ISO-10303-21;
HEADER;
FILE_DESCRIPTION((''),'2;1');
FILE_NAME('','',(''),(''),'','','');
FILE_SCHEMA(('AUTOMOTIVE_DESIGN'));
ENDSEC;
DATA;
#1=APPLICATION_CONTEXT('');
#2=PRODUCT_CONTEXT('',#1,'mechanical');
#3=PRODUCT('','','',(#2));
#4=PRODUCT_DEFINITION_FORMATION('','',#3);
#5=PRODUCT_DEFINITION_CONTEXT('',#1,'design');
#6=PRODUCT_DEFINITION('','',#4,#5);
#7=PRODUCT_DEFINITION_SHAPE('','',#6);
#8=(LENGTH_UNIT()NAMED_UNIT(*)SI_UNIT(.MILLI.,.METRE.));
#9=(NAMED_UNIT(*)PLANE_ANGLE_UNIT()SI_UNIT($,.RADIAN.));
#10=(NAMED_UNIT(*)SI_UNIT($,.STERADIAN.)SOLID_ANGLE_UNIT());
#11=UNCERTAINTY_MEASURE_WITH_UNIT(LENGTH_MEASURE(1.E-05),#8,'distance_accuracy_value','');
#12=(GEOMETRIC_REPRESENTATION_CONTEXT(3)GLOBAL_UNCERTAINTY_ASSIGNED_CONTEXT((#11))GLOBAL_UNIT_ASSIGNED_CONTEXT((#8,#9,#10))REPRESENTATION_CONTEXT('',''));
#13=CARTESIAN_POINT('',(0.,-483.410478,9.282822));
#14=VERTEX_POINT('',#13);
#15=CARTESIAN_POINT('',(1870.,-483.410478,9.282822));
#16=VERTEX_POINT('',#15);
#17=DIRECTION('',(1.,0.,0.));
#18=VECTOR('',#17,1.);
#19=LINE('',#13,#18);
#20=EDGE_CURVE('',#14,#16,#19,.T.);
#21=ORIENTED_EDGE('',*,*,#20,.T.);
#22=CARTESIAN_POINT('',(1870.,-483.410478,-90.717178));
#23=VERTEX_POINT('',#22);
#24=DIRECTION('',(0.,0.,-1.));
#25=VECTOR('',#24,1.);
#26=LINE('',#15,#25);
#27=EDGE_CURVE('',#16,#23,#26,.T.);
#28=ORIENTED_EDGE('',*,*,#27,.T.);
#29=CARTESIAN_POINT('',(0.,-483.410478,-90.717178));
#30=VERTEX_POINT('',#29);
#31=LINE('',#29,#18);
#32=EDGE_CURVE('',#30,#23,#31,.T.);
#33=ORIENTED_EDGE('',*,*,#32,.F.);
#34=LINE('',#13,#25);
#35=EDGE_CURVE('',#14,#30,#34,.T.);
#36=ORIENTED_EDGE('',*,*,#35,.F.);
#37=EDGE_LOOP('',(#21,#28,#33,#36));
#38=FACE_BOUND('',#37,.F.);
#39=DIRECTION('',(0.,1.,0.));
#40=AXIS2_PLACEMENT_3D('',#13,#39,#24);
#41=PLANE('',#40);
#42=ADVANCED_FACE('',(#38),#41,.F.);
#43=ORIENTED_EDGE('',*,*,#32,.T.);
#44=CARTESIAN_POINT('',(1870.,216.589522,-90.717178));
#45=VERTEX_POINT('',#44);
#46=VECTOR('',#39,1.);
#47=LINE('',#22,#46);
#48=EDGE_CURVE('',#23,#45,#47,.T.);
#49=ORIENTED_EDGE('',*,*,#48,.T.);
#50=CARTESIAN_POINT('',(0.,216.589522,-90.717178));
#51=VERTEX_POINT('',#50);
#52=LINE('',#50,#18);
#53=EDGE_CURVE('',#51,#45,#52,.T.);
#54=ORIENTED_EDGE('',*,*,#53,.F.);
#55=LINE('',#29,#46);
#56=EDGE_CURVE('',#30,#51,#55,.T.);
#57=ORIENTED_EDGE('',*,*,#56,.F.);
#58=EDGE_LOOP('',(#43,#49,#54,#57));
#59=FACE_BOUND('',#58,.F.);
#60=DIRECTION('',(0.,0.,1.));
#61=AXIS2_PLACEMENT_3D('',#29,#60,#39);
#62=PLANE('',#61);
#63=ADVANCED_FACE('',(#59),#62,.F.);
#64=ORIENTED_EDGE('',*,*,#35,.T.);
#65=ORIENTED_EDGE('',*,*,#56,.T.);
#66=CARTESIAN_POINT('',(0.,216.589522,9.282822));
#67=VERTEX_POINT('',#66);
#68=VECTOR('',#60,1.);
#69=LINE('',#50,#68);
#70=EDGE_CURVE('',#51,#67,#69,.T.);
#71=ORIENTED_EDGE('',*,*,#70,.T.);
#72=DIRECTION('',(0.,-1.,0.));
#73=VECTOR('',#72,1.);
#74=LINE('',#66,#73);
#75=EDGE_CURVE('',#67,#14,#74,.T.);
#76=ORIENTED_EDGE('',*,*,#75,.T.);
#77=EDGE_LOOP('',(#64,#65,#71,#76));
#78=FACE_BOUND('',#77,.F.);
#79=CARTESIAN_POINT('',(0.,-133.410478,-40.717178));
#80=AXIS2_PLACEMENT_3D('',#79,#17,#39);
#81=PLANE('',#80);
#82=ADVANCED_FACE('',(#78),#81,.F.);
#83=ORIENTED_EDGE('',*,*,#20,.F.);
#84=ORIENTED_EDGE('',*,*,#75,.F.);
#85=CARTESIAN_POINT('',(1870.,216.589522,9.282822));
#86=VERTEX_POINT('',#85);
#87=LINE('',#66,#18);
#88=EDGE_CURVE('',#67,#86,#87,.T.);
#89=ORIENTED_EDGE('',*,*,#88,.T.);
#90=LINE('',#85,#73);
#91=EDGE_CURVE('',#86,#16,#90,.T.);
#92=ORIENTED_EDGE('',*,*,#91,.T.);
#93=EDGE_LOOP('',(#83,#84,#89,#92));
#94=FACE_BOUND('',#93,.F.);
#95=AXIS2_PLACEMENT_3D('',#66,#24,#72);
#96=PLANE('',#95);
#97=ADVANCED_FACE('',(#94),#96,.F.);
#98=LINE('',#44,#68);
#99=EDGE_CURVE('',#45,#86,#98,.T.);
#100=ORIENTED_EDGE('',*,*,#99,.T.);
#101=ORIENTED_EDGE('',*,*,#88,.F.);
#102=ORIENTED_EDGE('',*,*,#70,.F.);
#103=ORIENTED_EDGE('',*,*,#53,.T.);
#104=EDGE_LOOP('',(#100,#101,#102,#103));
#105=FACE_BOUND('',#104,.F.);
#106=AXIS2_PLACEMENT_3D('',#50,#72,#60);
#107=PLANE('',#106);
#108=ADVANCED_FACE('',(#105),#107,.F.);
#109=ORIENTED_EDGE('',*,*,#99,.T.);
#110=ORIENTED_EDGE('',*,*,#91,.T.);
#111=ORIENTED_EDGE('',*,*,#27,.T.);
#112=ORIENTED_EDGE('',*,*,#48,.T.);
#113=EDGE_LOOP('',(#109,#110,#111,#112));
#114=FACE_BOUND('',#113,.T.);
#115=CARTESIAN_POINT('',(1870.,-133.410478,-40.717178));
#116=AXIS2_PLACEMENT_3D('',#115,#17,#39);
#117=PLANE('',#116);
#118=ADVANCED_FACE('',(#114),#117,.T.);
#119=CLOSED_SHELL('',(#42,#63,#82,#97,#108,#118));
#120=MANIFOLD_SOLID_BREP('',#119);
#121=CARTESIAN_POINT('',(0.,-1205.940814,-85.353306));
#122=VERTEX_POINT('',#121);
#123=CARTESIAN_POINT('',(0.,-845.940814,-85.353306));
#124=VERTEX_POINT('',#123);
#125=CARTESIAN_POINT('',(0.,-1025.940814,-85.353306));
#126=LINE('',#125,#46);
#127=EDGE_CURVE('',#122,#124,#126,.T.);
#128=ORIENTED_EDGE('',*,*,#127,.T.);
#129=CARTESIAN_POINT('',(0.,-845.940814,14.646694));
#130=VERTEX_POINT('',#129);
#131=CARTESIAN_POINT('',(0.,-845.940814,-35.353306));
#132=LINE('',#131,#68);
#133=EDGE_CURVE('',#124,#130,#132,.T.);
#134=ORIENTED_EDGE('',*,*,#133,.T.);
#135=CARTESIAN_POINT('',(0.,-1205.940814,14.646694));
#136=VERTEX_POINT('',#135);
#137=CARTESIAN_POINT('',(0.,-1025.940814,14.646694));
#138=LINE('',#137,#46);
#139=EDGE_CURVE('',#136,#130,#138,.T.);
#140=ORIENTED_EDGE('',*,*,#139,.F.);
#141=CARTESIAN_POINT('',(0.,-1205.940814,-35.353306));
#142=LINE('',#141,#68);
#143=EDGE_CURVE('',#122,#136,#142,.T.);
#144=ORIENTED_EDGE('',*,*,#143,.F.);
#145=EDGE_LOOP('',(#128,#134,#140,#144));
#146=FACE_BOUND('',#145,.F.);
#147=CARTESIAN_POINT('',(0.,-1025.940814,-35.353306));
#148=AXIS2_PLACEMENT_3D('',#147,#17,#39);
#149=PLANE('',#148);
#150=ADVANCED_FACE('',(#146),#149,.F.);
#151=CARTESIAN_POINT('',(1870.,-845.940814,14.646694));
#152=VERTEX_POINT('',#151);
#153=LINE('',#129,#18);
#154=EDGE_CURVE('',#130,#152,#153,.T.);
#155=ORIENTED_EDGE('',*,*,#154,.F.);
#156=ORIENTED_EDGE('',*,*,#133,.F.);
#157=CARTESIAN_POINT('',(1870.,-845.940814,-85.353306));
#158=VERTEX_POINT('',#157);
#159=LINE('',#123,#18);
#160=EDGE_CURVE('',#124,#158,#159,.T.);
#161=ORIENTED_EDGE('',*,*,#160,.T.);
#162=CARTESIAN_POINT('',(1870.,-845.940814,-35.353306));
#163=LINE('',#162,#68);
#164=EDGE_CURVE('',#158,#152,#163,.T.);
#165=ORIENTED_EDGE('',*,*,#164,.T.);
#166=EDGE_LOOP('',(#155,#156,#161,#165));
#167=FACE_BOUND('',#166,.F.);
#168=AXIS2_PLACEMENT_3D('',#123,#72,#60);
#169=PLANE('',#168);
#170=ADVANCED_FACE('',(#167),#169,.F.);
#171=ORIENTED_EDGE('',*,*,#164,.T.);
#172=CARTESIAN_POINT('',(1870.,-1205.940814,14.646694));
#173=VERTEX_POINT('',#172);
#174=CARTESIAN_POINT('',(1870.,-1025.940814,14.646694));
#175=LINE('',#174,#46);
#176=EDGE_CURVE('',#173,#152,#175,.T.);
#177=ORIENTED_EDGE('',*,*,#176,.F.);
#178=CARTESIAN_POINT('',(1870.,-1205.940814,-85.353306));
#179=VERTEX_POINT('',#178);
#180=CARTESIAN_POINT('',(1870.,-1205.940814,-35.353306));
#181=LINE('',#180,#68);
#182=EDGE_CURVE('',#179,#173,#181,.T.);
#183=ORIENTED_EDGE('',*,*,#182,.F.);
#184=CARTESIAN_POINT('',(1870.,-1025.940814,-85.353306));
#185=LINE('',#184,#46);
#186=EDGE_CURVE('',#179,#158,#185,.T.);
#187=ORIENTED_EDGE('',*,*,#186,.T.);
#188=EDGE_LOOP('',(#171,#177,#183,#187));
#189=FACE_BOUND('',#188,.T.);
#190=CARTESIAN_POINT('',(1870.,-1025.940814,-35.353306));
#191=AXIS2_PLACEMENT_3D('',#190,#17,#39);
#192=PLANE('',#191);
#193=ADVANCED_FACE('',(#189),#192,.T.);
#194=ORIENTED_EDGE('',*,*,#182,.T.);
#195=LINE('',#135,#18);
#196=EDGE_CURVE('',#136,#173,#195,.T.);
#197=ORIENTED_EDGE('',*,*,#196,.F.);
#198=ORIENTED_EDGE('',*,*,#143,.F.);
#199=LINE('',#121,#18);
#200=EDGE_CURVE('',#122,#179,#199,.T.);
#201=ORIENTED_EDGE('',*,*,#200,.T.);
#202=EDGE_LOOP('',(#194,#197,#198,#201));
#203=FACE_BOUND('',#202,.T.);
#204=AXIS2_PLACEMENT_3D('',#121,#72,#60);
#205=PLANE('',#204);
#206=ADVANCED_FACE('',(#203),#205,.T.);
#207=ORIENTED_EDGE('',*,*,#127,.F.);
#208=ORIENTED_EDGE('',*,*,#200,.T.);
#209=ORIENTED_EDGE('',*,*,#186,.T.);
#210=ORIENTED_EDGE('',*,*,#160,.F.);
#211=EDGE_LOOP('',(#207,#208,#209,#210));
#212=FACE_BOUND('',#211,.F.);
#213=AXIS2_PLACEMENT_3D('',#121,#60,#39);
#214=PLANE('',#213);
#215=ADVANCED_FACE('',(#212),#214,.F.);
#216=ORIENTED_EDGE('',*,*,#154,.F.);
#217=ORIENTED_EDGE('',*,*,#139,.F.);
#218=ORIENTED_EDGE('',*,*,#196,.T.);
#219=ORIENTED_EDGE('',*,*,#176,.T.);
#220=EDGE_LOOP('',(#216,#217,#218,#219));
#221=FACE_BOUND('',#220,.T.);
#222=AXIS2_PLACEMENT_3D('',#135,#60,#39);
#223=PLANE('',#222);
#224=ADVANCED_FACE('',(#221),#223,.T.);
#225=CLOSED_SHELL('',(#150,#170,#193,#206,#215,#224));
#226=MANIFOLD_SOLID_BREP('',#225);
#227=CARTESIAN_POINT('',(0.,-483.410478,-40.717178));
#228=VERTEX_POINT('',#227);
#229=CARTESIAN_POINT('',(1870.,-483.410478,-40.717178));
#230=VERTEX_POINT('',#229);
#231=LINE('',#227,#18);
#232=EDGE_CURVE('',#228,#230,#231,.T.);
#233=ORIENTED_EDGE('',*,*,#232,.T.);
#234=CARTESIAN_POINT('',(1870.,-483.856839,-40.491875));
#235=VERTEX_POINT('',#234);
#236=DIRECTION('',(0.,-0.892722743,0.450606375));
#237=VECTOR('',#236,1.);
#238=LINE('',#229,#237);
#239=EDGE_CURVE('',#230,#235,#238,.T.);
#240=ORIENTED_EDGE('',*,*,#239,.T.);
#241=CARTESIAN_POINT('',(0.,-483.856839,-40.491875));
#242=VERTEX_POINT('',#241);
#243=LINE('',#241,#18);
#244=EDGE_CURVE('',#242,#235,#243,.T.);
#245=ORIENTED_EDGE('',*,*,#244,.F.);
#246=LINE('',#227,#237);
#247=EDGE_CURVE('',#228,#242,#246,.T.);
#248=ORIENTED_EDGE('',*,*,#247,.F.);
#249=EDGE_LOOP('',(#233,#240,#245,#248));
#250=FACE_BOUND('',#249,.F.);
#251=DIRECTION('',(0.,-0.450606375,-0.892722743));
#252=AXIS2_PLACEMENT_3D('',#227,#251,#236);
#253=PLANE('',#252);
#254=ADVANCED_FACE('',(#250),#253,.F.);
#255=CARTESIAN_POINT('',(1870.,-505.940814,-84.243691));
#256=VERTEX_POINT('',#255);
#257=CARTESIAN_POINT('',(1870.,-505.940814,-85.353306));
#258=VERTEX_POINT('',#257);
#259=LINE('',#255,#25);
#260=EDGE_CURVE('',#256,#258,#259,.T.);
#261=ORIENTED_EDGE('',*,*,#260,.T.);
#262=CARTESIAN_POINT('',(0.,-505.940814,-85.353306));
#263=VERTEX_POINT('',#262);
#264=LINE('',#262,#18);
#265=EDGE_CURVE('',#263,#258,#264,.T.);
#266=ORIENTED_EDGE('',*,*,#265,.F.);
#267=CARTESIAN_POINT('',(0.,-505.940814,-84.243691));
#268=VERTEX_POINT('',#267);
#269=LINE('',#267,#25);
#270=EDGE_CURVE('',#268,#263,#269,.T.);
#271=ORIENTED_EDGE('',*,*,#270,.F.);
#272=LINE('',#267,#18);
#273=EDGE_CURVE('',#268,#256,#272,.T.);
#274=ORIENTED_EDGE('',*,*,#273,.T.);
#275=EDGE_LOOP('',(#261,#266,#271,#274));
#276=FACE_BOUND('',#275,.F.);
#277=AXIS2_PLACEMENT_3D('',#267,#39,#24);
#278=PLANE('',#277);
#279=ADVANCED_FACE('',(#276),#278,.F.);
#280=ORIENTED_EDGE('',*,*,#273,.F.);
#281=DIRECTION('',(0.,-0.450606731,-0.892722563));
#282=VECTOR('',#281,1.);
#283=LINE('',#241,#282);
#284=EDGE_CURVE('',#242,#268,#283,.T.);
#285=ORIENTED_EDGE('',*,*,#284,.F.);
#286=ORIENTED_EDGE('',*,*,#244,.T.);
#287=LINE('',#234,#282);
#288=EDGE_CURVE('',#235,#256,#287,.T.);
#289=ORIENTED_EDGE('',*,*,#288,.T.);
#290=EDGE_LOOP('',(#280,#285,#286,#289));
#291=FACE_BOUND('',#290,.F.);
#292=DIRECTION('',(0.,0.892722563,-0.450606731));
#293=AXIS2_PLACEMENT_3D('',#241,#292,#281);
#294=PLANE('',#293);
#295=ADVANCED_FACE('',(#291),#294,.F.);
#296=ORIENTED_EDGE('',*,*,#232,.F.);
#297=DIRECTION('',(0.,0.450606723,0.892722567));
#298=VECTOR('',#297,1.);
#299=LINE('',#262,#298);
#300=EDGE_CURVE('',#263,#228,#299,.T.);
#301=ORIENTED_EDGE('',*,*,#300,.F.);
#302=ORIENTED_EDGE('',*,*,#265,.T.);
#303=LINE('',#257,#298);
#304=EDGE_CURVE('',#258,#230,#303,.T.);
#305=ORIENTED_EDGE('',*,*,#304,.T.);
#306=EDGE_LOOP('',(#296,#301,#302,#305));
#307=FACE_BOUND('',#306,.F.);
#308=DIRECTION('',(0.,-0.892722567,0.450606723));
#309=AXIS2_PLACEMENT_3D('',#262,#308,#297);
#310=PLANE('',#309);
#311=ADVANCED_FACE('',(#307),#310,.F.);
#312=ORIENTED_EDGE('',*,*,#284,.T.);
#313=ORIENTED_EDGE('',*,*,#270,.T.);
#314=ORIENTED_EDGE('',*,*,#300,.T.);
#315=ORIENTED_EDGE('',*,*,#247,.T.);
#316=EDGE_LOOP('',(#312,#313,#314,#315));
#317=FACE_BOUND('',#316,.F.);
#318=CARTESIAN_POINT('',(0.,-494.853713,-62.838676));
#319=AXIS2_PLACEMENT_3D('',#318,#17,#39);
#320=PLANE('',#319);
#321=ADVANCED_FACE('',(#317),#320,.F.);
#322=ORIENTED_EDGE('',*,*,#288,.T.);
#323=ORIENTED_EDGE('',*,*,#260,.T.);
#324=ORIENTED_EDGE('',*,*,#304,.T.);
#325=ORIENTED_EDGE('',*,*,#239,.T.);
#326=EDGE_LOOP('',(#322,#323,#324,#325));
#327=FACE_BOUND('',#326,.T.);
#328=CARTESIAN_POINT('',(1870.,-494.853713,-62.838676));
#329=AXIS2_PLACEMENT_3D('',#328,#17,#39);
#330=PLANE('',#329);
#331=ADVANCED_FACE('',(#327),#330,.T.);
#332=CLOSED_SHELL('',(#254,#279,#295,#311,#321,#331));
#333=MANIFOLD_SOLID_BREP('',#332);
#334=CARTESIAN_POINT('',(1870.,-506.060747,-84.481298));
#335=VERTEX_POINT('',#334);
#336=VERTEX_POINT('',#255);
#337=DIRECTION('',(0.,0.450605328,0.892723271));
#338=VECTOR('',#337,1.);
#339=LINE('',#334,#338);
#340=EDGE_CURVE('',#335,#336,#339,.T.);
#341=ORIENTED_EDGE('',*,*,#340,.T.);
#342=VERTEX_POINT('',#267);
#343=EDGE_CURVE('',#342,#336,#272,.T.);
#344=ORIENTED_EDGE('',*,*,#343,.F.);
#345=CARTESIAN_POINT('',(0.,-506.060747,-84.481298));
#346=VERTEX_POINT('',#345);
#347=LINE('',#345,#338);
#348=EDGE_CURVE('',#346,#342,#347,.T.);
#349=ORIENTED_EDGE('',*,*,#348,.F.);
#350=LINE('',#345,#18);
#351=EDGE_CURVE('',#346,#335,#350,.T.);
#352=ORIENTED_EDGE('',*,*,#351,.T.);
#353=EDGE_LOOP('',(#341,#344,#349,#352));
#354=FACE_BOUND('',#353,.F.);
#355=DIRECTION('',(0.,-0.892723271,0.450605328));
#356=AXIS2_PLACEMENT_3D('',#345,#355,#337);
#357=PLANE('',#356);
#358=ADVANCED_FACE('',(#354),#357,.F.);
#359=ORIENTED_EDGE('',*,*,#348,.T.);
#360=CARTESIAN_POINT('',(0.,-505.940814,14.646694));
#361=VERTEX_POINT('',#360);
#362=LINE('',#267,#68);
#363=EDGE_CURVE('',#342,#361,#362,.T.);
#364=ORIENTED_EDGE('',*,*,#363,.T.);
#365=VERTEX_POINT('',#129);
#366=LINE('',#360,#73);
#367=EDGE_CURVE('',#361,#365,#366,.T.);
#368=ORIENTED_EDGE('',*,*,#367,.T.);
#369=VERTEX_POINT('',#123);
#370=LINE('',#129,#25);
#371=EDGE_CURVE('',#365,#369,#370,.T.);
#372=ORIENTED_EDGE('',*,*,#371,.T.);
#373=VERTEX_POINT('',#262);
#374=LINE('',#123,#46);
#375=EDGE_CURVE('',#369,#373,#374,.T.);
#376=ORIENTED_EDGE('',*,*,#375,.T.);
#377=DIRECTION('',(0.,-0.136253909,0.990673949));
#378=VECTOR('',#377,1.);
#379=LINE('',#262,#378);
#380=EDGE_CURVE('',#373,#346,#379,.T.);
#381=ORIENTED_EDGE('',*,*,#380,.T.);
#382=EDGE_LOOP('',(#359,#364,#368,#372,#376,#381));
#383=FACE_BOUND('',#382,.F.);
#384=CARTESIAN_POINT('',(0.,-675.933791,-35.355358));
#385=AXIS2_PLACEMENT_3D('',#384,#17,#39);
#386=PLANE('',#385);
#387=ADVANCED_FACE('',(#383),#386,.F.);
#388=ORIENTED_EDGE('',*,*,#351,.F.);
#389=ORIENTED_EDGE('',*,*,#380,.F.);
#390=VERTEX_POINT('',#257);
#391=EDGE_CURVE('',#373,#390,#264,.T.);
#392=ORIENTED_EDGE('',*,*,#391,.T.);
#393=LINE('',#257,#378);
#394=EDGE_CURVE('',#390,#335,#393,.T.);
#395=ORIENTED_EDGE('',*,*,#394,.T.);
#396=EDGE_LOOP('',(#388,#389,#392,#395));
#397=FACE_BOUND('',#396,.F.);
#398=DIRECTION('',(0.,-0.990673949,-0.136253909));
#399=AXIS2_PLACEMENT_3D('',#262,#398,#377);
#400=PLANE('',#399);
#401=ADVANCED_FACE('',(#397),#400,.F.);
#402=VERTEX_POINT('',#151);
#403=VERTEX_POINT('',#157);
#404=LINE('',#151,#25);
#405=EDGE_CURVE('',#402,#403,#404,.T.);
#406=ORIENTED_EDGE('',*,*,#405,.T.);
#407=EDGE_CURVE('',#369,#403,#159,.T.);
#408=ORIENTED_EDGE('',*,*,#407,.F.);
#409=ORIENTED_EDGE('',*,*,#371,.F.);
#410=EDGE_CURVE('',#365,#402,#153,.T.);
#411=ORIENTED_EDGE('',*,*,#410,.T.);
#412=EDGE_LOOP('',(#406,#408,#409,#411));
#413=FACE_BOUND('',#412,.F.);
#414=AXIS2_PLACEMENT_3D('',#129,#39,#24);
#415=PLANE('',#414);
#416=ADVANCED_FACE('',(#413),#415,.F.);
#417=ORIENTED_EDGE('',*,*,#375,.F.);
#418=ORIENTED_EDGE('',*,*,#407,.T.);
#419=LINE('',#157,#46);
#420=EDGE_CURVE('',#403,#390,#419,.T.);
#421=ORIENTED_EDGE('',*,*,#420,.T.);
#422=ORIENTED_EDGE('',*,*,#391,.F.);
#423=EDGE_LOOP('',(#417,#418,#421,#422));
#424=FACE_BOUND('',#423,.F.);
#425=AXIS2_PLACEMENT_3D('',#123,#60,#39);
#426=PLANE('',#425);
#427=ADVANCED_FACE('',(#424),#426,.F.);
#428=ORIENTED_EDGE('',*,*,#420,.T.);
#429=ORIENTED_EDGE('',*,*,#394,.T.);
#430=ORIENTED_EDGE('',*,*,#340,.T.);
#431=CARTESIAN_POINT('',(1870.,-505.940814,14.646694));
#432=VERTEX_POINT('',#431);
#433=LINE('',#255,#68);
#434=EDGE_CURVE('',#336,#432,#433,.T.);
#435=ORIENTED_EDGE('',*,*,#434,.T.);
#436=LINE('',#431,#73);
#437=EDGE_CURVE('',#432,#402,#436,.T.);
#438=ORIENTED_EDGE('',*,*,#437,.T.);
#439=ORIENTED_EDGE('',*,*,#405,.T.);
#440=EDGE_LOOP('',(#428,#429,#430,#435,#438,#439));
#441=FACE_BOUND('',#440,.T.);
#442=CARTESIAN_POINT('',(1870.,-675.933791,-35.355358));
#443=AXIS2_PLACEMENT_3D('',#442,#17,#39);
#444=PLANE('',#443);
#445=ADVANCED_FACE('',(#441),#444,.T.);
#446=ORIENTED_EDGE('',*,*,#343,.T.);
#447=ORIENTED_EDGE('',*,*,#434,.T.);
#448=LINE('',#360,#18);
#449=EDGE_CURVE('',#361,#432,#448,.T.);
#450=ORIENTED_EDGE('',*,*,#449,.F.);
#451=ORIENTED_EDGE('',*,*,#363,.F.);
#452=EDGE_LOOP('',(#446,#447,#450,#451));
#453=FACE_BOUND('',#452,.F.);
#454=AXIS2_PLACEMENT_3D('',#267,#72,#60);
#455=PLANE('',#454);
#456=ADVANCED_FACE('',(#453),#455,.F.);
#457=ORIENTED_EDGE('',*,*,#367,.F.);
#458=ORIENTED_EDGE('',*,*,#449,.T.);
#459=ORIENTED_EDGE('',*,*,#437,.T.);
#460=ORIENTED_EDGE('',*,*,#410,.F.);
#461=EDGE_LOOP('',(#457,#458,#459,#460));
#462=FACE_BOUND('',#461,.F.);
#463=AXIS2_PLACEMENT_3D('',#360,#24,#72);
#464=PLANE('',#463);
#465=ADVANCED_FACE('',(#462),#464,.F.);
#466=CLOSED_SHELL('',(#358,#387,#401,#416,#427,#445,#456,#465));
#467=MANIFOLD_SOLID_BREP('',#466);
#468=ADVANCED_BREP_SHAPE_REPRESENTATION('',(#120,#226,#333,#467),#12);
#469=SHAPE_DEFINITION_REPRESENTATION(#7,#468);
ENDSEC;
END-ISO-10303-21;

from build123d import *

# Parameters (mm, degrees)
F0_W     = 360
F0_H     = 100
F1_DEPTH = 1870
F2_DEPTH = 1870
F3_DEPTH = 1870
F4_DEPTH = 1870


with BuildPart() as f1:
    # F0 (on Right) → F1 (new body)
    with BuildSketch(Plane.YZ):
        with Locations((-1025.940814, -35.353306)):
            Rectangle(F0_W, F0_H)
    extrude(amount=F1_DEPTH)


with BuildPart() as f2:
    # F0 (on Right) → F2 (new body)
    with BuildSketch(Plane.YZ):
        Polygon((-505.940814, 14.646694), (-845.940814, 14.646694), (-845.940814, -85.353306), (-505.940814, -85.353306), (-506.060747, -84.481298), (-505.940814, -84.243691), align=None)
    extrude(amount=F2_DEPTH)


with BuildPart() as f3:
    # F0 (on Right) → F3 (new body)
    with BuildSketch(Plane.YZ):
        Polygon((-483.410478, 9.282822), (-483.410478, -40.717178), (-483.410478, -90.717178), (216.589522, -90.717178), (216.589522, 9.282822), align=None)
    extrude(amount=F3_DEPTH)


with BuildPart() as f4:
    # F0 (on Right) → F4 (new body)
    with BuildSketch(Plane.YZ):
        Polygon((-505.940814, -84.243691), (-505.940814, -85.353306), (-483.410478, -40.717178), (-483.856839, -40.491875), align=None)
    extrude(amount=F4_DEPTH)


solid = Compound([f1.part, f2.part, f3.part, f4.part])
